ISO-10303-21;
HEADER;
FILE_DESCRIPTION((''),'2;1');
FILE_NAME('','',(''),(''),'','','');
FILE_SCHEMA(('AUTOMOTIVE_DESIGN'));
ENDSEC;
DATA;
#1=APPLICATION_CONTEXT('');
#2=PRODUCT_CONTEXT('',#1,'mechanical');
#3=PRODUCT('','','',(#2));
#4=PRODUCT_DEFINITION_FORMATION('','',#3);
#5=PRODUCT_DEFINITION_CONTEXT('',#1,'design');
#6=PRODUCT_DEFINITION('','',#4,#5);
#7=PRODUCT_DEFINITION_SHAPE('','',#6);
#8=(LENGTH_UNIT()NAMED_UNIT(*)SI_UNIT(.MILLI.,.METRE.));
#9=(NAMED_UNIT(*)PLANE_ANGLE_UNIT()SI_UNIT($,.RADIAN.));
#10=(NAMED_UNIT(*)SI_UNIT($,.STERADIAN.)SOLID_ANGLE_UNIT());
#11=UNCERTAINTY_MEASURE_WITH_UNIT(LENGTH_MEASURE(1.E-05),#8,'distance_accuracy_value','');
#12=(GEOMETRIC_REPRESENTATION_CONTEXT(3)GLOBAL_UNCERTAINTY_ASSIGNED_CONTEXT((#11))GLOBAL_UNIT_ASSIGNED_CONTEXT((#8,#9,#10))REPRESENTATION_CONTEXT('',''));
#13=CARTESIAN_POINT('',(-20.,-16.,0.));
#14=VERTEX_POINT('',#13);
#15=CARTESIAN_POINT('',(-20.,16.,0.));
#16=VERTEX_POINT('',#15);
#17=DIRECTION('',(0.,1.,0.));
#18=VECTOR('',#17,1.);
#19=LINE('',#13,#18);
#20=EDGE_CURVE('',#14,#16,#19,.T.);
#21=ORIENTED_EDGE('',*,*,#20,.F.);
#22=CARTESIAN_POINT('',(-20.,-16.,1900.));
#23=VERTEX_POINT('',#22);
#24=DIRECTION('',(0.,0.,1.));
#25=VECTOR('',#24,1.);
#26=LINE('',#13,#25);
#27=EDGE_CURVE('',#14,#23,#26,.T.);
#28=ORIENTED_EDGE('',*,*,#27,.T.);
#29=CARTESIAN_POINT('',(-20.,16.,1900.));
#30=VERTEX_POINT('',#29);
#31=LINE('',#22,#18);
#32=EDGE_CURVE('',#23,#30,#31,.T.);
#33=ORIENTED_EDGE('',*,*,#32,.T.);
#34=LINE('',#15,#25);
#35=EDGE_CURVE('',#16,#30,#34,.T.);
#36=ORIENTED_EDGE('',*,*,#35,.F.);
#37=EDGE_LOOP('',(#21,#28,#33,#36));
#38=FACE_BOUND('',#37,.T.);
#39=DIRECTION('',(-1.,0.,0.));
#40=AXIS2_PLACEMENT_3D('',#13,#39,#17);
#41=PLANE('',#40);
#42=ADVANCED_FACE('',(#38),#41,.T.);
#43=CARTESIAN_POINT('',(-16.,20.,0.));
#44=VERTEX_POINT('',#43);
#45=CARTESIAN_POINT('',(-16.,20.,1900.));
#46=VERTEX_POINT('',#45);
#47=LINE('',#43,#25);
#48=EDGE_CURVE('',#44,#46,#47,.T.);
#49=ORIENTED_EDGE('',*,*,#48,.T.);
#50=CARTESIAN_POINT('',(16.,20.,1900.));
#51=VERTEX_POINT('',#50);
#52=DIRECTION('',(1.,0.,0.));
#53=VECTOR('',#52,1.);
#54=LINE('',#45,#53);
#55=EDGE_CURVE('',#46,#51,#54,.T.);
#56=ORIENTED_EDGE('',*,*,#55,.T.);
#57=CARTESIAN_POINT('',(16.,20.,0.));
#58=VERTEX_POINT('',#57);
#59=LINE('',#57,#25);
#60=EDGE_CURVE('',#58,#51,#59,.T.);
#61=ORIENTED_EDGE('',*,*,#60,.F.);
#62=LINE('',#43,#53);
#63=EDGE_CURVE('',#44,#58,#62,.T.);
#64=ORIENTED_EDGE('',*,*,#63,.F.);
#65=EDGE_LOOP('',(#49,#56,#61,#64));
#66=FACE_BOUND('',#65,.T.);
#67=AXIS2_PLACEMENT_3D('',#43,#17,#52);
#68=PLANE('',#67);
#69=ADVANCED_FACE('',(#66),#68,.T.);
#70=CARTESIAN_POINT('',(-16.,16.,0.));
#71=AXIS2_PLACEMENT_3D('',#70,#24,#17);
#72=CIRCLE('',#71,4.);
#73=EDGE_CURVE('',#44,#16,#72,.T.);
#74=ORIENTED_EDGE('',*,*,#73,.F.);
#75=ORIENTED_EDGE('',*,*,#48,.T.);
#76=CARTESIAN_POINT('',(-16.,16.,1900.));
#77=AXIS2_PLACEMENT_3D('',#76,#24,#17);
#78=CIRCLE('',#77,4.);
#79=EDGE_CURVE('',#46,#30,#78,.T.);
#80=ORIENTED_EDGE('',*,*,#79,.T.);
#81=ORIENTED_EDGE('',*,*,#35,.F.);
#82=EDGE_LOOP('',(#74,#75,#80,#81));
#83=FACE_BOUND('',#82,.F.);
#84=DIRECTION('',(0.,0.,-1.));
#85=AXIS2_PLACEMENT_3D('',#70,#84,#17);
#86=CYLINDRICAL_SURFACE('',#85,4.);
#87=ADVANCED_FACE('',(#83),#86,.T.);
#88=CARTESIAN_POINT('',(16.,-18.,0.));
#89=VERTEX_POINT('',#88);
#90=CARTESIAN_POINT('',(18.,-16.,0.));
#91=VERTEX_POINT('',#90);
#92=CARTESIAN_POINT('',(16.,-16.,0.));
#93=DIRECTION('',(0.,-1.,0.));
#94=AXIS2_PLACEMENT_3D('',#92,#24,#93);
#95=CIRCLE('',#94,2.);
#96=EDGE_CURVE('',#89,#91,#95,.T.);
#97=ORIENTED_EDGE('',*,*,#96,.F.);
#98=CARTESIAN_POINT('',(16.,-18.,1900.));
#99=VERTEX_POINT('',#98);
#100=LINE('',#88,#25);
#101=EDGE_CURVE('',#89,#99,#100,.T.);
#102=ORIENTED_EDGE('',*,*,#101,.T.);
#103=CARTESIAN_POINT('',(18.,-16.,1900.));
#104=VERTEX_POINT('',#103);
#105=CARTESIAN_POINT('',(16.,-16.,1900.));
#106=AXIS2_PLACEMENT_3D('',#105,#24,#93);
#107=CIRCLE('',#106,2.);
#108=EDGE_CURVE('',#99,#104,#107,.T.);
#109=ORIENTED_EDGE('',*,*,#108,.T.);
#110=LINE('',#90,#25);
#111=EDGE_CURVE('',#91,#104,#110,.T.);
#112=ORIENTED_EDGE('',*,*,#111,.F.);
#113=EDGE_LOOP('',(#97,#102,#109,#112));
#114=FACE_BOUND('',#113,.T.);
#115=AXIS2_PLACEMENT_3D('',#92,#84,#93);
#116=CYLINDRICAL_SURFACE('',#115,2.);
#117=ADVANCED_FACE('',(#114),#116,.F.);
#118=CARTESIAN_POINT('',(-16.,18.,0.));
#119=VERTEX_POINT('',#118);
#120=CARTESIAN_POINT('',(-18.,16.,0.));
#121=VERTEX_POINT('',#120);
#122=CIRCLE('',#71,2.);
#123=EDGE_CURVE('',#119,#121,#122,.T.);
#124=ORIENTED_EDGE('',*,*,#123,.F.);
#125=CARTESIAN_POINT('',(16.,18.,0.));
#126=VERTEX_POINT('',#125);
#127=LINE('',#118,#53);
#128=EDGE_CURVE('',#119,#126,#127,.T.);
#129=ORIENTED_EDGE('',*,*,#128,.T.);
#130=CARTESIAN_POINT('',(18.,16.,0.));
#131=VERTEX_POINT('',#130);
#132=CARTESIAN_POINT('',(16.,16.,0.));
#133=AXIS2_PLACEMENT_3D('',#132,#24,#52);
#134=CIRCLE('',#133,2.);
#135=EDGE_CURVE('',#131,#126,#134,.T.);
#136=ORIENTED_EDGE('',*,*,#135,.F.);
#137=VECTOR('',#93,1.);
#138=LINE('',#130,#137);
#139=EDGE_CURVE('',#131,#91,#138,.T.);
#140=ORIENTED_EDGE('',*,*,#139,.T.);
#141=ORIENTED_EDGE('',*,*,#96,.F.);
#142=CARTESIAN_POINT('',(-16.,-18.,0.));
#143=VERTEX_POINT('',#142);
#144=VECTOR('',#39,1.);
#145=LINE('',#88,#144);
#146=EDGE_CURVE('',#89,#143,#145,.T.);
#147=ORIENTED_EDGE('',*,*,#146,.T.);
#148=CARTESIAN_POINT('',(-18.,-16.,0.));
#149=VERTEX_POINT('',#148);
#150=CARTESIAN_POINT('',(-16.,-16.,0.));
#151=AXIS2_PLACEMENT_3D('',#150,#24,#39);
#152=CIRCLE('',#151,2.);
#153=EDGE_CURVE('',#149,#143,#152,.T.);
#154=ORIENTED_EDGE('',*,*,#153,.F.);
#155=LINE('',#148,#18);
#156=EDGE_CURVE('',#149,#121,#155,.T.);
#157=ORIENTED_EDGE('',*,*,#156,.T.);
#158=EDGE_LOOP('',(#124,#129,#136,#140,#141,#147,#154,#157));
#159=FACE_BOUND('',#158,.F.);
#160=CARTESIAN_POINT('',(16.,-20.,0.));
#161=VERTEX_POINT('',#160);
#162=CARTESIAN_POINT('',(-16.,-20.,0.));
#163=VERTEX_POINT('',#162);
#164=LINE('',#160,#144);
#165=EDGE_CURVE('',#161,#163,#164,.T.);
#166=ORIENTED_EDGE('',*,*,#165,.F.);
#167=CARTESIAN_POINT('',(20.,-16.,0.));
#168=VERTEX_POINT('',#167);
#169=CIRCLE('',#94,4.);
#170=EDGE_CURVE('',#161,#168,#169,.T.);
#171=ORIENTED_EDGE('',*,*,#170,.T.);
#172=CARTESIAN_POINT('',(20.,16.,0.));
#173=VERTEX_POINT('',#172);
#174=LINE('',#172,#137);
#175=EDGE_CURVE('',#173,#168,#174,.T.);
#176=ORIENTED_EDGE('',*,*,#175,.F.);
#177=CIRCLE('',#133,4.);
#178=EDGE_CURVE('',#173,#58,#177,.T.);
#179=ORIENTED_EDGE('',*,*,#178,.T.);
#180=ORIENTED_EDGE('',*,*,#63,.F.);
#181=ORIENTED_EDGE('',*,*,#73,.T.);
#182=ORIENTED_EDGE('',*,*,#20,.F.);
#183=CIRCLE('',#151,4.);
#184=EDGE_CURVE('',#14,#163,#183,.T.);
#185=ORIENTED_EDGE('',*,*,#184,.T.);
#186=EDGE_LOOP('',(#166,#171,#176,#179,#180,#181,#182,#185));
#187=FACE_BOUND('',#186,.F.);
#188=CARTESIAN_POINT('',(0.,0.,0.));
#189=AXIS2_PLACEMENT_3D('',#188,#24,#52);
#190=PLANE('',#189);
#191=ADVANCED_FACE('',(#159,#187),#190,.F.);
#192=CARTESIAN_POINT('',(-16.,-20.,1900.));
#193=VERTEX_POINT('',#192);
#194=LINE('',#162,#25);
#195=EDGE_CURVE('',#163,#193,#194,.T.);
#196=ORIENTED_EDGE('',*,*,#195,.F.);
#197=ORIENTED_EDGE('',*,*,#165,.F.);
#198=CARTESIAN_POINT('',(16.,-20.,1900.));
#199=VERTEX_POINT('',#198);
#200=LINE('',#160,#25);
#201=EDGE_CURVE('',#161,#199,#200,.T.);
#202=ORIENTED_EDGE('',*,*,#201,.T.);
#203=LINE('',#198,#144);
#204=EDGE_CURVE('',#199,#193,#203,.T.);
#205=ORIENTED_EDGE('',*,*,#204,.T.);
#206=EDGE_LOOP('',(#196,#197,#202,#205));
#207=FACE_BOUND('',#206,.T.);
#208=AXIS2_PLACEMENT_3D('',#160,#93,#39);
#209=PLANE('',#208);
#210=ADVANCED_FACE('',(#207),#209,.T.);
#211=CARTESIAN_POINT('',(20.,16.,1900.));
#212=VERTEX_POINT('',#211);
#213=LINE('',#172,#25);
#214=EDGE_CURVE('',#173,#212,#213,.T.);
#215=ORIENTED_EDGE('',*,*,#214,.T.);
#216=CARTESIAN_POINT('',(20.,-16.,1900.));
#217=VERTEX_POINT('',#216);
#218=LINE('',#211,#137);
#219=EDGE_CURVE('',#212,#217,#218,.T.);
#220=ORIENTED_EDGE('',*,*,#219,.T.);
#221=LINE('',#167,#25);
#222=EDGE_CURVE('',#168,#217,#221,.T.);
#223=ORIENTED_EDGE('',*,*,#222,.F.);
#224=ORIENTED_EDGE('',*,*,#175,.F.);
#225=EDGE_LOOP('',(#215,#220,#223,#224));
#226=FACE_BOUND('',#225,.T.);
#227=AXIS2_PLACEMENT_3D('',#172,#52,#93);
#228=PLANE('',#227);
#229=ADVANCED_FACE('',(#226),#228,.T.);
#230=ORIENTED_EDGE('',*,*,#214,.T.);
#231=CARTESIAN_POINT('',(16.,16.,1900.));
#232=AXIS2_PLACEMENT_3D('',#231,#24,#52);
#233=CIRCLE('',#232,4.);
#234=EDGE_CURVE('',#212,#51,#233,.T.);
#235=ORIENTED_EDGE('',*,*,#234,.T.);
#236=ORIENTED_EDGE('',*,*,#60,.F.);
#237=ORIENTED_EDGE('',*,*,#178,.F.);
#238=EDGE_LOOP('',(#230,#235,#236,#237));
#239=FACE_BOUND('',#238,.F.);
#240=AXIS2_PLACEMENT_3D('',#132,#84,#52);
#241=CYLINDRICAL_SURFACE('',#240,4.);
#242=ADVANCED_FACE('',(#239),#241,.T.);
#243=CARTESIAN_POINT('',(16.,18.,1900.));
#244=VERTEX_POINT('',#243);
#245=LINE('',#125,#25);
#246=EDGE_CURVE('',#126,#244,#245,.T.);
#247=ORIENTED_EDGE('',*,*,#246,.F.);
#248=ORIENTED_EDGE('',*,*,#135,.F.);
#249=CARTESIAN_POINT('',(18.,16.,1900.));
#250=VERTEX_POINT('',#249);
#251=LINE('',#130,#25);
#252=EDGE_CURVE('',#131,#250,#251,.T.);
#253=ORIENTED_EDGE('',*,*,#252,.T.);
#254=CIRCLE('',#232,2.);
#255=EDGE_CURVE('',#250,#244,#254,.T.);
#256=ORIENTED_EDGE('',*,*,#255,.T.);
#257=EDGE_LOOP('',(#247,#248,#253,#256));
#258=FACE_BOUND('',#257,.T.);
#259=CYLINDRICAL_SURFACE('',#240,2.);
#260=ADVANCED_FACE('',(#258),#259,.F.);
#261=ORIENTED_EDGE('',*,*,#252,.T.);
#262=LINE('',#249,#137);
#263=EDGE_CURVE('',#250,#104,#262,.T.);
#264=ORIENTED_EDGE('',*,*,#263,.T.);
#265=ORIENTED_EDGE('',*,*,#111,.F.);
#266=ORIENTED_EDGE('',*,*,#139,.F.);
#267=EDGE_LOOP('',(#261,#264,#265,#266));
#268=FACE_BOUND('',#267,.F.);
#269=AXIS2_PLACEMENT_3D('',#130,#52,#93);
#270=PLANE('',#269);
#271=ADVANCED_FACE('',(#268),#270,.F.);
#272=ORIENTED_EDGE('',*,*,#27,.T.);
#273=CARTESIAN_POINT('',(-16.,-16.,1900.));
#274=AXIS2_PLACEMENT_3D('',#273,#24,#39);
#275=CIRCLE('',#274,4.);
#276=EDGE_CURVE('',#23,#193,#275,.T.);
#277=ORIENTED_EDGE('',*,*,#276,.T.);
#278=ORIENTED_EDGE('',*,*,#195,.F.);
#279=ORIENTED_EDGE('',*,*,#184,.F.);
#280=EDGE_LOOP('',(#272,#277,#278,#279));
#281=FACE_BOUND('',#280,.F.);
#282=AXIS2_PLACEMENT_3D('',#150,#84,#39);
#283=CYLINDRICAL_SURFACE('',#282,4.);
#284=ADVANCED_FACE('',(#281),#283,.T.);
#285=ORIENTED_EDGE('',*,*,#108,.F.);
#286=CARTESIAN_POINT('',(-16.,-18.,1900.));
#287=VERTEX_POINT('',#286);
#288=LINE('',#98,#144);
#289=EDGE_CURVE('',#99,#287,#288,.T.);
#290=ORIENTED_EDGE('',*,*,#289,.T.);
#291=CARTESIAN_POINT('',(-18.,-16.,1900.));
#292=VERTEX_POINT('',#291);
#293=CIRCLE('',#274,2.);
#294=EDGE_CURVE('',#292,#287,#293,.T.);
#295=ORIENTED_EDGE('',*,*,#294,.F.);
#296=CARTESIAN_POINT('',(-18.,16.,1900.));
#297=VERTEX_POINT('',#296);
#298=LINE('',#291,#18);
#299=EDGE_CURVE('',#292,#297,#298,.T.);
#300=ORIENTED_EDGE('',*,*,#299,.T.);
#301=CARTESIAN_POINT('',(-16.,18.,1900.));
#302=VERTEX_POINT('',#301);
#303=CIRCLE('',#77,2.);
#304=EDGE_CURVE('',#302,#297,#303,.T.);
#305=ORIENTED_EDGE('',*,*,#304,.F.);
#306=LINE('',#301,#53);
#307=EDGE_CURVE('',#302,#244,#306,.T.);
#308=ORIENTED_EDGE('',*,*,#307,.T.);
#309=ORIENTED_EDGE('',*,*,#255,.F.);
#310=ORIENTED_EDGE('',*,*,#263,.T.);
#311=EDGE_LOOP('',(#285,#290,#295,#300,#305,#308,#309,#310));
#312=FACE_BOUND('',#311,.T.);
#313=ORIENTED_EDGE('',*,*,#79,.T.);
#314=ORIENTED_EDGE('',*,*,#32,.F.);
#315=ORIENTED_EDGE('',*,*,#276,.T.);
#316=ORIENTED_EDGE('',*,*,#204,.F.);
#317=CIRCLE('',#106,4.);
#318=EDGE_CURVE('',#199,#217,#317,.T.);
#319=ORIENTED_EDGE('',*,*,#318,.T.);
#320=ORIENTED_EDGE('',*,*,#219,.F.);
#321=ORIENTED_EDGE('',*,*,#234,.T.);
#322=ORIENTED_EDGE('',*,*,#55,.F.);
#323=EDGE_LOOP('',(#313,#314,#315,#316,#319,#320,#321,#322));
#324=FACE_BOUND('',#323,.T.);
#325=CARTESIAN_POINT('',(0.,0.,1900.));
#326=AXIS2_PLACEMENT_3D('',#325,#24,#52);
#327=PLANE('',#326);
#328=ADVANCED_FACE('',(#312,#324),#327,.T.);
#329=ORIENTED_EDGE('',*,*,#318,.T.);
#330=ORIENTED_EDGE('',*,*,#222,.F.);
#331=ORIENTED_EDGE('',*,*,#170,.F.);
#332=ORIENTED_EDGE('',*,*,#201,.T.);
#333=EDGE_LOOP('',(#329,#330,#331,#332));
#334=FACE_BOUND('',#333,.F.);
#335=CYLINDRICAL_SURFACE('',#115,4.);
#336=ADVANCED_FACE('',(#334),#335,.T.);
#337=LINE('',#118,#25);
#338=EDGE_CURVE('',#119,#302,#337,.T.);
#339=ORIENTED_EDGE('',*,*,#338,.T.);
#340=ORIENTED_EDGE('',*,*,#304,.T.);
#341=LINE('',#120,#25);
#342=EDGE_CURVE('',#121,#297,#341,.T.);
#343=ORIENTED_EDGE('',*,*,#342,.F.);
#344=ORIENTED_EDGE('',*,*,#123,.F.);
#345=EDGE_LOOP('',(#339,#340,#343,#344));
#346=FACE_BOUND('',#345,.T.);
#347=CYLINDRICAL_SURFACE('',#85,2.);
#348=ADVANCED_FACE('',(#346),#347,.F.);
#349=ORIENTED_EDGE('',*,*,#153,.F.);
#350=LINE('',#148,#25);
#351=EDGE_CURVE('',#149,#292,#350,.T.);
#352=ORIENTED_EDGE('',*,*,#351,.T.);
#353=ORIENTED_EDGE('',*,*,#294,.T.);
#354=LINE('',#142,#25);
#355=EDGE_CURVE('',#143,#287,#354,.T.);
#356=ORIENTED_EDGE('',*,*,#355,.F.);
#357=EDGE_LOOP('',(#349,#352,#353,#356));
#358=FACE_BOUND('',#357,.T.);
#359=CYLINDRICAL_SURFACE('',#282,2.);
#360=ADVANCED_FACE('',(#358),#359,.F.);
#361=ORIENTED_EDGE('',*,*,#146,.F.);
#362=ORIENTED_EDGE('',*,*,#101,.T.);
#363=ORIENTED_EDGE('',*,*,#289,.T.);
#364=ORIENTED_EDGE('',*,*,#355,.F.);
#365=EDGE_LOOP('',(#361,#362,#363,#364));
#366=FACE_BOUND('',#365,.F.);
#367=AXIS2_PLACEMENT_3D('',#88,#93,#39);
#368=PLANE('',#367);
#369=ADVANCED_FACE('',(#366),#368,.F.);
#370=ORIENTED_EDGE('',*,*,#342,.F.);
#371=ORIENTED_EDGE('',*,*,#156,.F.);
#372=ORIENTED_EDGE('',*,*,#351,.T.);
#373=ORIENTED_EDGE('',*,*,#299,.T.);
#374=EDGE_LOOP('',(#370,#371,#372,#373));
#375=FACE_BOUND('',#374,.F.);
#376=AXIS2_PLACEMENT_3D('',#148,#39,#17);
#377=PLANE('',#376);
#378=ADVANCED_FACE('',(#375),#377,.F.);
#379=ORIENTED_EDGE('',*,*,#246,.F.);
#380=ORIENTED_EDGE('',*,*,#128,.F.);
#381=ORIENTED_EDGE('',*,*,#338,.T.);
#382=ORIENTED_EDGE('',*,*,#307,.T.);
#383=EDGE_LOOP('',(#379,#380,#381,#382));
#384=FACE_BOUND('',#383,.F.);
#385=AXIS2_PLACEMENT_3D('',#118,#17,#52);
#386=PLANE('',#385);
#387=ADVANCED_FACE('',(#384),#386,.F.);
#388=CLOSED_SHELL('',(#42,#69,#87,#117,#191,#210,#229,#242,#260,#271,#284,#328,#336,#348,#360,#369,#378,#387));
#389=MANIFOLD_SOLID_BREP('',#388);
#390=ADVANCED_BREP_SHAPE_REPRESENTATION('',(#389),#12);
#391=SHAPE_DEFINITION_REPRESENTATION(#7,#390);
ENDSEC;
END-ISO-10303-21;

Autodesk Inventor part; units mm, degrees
ref_plane "YZ Plane" through (0, 0, 0) normal (1, 0, 0) x (0, 1, 0)
ref_plane "Start Plane" through (0, 0, 0) normal (0, 0, 1) x (1, 0, 0)
ref_plane "End Plane" through (0, 0, 1900) normal (0, 0, 1) x (1, 0, 0)
sketch "Sketch" plane through (0, 0, 0) normal (0, 0, 1) x (1, 0, 0)
  line L0 (-20, -16) -> (-20, 16)
  line L1 (-16, 20) -> (16, 20)
  line L2 (20, 16) -> (20, -16)
  line L3 (16, -20) -> (-16, -20)
  arc A0 (-20, -16) -> (-16, -20) centre (-16, -16) ccw
  arc A1 (20, 16) -> (16, 20) centre (16, 16) ccw
  arc A2 (-16, 20) -> (-20, 16) centre (-16, 16) ccw
  arc A3 (16, -20) -> (20, -16) centre (16, -16) ccw
  arc A4 (-16, 18) -> (-18, 16) centre (-16, 16) ccw
  line L4 (-16, 18) -> (16, 18)
  arc A5 (18, 16) -> (16, 18) centre (16, 16) ccw
  line L5 (18, 16) -> (18, -16)
  arc A6 (16, -18) -> (18, -16) centre (16, -16) ccw
  line L6 (16, -18) -> (-16, -18)
  arc A7 (-18, -16) -> (-16, -18) centre (-16, -16) ccw
  line L7 (-18, -16) -> (-18, 16)
  line L8 (0, 29.1598) -> (0, -29.1598) construction
  line L9 (-29.1598, 0) -> (29.1598, 0) construction
  dimension "d7" = 4
  dimension "d9" = 40
  dimension "d11" = 40
  dimension "d12" = 2
  dimension "d15" = 20
  dimension "d16" = 20
extrude "Body" add sketch "Sketch" along normal up to surface (1900 mm away) from surface at 0
sketch "Sketch3" plane through (0, 0, 0) normal (0, 0, 1) x (1, 0, 0)
  line L0 (0, 0) -> (10, 0)
ref_plane "Work Plane3" through (0, 0, 0) normal (0, -1, 0) x (1, 0, 0)
sketch "Sketch4" plane through (0, 0, 0) normal (0, -1, 0) x (1, 0, 0)
  line L0 (-2, 0) -> (12, 0) projected
  line L1 (-2, 1900) -> (12, 1900) projected
  dimension "d18" = 1900
equation "\"d7\" = G_IR"
equation "\"d9\" = G_W"
equation "\"d11\" = G_H"
equation "\"d12\" = G_T"
equation "\"d15\" = 0.5 * d9"
equation "\"d16\" = 0.5 * d11"
equation "\"d3\" = G_L"
equation "\"G_W\" = 40"
equation "\"G_H\" = 40"
equation "\"G_T\" = 2"
equation "\"G_IR\" = 4"
equation "\"G_L\" = d18"
equation "\"G_OFFSET_START\" = 0"
equation "\"G_OFFSET_END\" = 0"
properties part number "ISO 10799-2 - 40x40x2 - 1900" material "Stainless Steel"
